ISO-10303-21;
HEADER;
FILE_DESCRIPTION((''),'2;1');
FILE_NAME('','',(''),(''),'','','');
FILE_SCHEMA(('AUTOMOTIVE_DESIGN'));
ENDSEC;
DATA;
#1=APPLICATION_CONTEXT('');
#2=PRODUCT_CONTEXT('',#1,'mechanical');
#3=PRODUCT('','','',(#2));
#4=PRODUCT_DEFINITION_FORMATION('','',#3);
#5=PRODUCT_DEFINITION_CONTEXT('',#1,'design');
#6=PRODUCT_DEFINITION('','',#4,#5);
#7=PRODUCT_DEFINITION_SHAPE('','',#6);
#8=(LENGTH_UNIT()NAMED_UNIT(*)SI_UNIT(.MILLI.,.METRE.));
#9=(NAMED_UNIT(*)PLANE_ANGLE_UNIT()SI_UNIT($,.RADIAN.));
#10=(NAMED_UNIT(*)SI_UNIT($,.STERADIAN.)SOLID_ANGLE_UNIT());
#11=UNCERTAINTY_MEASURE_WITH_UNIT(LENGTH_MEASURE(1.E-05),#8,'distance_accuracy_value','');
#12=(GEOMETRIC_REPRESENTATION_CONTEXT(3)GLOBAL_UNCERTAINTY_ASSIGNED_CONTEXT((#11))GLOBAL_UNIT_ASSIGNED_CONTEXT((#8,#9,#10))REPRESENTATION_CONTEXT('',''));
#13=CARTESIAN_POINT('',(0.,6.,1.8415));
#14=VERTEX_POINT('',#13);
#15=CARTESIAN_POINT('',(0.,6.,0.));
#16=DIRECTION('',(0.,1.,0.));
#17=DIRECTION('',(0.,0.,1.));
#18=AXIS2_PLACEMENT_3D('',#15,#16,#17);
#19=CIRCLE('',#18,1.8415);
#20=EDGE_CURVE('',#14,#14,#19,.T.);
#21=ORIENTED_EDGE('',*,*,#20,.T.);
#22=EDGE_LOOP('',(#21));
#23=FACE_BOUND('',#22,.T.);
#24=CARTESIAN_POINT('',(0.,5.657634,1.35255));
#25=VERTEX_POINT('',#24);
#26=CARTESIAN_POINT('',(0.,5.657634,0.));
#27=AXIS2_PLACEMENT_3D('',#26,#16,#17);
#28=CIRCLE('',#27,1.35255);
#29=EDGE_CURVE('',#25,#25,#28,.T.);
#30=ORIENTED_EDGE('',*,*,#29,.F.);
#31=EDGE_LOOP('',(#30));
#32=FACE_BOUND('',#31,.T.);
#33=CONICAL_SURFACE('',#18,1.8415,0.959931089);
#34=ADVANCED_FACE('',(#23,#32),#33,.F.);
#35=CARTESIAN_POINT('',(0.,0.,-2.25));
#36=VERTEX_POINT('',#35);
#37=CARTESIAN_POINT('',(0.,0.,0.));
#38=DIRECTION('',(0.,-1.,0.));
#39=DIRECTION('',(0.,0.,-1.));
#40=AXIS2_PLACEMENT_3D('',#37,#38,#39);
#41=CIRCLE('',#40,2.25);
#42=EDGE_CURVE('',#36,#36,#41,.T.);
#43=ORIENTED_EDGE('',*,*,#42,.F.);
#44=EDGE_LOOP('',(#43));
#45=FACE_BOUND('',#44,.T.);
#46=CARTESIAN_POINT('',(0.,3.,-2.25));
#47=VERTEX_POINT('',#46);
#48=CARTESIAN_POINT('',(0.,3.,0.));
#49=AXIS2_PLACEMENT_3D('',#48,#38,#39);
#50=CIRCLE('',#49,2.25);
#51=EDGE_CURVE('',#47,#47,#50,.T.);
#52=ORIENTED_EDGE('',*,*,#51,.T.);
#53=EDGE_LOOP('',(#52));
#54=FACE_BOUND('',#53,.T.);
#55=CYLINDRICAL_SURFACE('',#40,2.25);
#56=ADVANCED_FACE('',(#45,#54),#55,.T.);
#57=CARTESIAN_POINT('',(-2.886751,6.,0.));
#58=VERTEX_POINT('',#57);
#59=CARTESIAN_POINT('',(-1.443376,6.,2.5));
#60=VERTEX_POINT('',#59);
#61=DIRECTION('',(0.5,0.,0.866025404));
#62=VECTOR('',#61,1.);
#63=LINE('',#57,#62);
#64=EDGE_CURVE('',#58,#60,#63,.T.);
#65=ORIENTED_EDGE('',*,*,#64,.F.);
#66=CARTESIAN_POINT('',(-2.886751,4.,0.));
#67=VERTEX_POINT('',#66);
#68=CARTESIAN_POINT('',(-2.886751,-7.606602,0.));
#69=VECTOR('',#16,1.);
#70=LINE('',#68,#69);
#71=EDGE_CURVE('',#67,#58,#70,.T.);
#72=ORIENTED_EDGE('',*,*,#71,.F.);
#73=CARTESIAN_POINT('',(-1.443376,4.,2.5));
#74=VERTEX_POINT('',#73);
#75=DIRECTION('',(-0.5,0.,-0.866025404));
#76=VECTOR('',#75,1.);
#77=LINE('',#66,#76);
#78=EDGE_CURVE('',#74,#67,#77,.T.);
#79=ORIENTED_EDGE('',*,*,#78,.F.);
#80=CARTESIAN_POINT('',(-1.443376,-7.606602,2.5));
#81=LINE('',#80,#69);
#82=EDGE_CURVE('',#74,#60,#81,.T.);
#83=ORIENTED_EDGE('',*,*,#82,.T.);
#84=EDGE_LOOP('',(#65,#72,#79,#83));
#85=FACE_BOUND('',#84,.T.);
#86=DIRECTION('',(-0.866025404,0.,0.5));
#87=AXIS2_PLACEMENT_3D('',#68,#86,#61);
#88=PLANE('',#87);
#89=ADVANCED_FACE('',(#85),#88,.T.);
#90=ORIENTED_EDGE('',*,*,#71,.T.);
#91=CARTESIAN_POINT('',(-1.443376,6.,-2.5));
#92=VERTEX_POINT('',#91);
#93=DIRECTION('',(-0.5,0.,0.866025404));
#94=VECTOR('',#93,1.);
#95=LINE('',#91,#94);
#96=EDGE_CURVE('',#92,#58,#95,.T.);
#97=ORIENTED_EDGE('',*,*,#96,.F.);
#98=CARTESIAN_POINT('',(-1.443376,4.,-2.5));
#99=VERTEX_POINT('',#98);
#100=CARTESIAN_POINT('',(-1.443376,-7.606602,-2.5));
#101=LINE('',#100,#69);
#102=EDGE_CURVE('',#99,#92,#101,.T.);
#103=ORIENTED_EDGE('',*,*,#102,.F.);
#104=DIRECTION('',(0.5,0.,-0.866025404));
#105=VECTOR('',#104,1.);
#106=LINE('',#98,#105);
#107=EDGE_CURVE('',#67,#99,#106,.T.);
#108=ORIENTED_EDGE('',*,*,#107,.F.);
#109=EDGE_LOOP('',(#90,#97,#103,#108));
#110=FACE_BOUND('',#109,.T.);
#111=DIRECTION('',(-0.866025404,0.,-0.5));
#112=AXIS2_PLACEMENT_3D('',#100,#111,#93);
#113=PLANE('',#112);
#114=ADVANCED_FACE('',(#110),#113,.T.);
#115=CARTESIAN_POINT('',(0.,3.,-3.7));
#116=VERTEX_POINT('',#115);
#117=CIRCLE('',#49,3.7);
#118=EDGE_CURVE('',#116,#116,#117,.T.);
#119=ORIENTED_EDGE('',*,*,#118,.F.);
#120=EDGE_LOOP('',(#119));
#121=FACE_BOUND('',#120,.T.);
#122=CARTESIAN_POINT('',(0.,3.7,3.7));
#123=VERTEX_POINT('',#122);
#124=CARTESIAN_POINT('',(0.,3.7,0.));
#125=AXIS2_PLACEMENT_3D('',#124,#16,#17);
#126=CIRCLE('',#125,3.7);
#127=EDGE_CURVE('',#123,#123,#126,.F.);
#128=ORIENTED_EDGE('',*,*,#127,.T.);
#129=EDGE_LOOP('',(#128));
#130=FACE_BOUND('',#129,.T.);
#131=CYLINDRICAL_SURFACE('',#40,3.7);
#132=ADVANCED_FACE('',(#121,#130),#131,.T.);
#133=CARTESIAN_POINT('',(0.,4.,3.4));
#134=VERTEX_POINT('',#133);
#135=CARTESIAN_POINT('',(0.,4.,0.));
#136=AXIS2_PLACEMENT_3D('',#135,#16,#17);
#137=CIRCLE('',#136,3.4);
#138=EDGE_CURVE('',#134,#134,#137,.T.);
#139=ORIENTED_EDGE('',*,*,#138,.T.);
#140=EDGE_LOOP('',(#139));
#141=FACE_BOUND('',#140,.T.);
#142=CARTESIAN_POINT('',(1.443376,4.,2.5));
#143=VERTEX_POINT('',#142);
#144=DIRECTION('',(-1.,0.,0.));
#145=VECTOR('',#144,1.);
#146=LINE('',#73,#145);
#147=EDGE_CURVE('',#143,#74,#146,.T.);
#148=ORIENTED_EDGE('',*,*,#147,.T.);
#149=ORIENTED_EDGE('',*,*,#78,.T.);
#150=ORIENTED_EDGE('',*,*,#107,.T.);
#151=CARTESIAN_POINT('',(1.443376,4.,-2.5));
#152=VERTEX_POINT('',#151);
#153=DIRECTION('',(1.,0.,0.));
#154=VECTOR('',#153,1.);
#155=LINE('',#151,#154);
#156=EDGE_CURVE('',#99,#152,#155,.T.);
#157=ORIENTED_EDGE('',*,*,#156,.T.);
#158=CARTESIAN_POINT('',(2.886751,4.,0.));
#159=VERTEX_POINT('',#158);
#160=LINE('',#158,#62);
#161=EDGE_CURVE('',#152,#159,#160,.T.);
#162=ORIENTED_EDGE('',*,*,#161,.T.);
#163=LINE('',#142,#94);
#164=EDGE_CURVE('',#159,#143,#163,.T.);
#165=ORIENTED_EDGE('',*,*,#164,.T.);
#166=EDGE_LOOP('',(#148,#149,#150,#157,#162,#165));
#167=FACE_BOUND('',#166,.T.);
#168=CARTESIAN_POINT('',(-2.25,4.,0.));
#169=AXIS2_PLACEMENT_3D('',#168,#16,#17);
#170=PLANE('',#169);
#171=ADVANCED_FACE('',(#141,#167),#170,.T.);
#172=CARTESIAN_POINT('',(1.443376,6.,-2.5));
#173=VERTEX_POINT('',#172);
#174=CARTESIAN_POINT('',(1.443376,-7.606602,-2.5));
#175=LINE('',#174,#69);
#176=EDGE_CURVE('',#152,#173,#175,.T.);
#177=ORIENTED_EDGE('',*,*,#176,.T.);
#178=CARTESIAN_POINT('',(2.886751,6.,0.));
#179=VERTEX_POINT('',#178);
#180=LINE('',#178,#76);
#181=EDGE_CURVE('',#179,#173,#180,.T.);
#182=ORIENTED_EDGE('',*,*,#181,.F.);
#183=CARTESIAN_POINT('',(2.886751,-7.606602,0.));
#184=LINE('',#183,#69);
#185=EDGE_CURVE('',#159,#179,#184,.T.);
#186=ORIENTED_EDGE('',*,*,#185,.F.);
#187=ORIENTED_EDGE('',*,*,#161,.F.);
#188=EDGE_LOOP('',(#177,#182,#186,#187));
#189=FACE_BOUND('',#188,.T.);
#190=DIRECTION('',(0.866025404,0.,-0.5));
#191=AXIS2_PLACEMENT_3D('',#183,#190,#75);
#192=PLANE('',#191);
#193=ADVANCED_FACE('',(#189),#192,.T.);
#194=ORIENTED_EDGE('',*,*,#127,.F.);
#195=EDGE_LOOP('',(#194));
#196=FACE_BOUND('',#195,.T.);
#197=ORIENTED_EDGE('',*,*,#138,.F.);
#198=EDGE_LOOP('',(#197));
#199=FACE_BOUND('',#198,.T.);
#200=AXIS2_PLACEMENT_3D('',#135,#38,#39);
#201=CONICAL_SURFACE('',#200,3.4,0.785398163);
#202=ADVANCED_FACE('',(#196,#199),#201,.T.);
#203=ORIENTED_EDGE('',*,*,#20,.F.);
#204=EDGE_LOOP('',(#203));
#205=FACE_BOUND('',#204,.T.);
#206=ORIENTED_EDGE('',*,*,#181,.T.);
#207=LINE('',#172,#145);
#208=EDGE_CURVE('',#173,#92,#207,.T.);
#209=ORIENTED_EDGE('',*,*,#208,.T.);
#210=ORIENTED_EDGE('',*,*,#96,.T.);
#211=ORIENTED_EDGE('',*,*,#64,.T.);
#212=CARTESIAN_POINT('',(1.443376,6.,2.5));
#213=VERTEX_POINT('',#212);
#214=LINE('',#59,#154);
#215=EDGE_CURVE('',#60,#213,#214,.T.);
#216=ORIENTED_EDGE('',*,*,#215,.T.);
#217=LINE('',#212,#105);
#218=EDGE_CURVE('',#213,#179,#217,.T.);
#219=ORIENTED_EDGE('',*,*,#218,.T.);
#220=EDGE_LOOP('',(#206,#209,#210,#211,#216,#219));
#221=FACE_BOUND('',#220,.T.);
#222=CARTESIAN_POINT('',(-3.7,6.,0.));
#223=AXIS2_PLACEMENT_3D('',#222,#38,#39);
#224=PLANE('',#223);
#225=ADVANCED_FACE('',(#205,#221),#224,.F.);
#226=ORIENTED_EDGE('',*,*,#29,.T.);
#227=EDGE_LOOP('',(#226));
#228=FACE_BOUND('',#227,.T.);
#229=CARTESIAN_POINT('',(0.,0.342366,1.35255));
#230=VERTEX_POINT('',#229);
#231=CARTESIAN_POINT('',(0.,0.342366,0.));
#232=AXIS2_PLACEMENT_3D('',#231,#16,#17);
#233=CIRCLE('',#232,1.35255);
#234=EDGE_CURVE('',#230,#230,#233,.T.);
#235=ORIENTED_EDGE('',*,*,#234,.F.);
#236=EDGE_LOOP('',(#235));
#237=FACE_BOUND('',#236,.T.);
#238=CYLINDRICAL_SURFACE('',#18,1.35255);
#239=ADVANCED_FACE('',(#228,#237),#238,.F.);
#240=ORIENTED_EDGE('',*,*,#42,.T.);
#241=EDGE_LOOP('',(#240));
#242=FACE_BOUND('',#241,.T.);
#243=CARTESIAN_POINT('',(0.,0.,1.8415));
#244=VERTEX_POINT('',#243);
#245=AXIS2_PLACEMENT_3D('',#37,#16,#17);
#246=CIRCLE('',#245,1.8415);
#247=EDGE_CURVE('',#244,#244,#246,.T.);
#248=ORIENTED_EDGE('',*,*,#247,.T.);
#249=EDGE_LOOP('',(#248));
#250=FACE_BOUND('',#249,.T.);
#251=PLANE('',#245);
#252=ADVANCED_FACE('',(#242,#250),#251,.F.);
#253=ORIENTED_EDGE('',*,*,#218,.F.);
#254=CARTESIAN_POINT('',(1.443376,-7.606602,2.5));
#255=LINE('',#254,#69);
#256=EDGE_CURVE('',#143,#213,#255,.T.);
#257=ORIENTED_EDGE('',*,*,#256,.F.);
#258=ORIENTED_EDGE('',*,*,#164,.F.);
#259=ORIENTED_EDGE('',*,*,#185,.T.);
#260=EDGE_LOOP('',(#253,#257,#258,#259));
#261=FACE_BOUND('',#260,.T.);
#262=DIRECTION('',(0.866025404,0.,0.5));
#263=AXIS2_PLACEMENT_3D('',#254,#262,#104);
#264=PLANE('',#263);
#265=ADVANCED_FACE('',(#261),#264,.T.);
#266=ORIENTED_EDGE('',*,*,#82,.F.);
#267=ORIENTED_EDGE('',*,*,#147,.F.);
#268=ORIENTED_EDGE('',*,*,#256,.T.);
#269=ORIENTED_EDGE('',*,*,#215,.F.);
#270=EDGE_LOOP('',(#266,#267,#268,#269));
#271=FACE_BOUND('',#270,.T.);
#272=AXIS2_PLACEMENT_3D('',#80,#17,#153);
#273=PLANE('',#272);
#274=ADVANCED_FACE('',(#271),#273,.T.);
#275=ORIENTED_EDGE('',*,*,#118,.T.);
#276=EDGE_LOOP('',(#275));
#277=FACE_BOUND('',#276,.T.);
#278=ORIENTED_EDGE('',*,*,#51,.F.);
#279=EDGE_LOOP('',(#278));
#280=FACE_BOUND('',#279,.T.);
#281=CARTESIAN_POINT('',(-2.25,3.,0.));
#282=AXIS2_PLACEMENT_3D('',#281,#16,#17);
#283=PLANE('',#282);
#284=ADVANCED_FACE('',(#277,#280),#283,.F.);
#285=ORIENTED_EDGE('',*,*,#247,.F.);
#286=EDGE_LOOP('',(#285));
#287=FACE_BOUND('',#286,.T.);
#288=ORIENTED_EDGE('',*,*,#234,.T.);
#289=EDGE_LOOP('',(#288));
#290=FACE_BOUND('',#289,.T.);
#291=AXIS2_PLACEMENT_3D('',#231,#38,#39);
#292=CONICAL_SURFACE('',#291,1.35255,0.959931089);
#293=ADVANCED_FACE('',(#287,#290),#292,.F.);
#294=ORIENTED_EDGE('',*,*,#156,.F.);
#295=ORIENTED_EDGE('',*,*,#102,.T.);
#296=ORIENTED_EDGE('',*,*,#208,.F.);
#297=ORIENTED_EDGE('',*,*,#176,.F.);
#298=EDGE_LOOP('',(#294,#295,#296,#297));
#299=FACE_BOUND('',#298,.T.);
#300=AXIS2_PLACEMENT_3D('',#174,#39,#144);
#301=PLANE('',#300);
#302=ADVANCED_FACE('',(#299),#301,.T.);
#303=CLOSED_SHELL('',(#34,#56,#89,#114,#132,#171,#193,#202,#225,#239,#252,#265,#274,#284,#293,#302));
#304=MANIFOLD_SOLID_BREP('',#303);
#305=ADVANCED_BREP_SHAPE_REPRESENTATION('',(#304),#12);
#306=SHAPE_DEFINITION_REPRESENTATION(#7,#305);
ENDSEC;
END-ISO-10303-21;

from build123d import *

# Parameters (mm, degrees)
SKETCH_7_OUTSIDE_W  = 11.812
SKETCH_7_OUTSIDE_H  = 11.812
CUT_EXTRUDE_1_DEPTH = 2
CHAMFER_1_SIZE      = 0.3


with BuildPart() as part:
    # Эскиз1 → Повернуть1 (revolve)
    with BuildSketch(Plane.XY):
        Polygon((0, 0), (-2.25, 0), (-2.25, 3), (-3.7, 3), (-3.7, 6), (0, 6), align=None)
    revolve(axis=Axis((0, 0, 0), (0, 1, 0)))

    # Эскиз3 → Отверстие обработанное метчиком #6-321 (revolve, cut)
    with BuildSketch(Plane(origin=(0, 6, 0), x_dir=(0, 0, 1), z_dir=(1, 0, 0))):
        Polygon((0, 0), (0, 6), (1.8415, 6), (1.35255, 5.657633524), (1.35255, 0.342366476), (1.8415, 0), align=None)
    revolve(axis=Axis((0, 12.35, 0), (0, -1, 0)), mode=Mode.SUBTRACT)

    # Эскиз7 outside → Вырез-Вытянуть1 (cut)
    with BuildSketch(Plane(origin=(0, 6, 0), x_dir=(1, 0, 0), z_dir=(0, 1, 0))):
        Rectangle(SKETCH_7_OUTSIDE_W, SKETCH_7_OUTSIDE_H)
        Polygon((2.886751346, 0), (1.443375673, 2.5), (-1.443375673, 2.5), (-2.886751346, 0), (-1.443375673, -2.5), (1.443375673, -2.5), align=None, mode=Mode.SUBTRACT)
    extrude(amount=-CUT_EXTRUDE_1_DEPTH, mode=Mode.SUBTRACT)

    # Фаска1
    chamfer_1_edges = [part.edges().sort_by_distance(p)[0] for p in [
        (3.7, 4, 0),
    ]]
    chamfer(chamfer_1_edges, length=CHAMFER_1_SIZE)


solid = part.part
